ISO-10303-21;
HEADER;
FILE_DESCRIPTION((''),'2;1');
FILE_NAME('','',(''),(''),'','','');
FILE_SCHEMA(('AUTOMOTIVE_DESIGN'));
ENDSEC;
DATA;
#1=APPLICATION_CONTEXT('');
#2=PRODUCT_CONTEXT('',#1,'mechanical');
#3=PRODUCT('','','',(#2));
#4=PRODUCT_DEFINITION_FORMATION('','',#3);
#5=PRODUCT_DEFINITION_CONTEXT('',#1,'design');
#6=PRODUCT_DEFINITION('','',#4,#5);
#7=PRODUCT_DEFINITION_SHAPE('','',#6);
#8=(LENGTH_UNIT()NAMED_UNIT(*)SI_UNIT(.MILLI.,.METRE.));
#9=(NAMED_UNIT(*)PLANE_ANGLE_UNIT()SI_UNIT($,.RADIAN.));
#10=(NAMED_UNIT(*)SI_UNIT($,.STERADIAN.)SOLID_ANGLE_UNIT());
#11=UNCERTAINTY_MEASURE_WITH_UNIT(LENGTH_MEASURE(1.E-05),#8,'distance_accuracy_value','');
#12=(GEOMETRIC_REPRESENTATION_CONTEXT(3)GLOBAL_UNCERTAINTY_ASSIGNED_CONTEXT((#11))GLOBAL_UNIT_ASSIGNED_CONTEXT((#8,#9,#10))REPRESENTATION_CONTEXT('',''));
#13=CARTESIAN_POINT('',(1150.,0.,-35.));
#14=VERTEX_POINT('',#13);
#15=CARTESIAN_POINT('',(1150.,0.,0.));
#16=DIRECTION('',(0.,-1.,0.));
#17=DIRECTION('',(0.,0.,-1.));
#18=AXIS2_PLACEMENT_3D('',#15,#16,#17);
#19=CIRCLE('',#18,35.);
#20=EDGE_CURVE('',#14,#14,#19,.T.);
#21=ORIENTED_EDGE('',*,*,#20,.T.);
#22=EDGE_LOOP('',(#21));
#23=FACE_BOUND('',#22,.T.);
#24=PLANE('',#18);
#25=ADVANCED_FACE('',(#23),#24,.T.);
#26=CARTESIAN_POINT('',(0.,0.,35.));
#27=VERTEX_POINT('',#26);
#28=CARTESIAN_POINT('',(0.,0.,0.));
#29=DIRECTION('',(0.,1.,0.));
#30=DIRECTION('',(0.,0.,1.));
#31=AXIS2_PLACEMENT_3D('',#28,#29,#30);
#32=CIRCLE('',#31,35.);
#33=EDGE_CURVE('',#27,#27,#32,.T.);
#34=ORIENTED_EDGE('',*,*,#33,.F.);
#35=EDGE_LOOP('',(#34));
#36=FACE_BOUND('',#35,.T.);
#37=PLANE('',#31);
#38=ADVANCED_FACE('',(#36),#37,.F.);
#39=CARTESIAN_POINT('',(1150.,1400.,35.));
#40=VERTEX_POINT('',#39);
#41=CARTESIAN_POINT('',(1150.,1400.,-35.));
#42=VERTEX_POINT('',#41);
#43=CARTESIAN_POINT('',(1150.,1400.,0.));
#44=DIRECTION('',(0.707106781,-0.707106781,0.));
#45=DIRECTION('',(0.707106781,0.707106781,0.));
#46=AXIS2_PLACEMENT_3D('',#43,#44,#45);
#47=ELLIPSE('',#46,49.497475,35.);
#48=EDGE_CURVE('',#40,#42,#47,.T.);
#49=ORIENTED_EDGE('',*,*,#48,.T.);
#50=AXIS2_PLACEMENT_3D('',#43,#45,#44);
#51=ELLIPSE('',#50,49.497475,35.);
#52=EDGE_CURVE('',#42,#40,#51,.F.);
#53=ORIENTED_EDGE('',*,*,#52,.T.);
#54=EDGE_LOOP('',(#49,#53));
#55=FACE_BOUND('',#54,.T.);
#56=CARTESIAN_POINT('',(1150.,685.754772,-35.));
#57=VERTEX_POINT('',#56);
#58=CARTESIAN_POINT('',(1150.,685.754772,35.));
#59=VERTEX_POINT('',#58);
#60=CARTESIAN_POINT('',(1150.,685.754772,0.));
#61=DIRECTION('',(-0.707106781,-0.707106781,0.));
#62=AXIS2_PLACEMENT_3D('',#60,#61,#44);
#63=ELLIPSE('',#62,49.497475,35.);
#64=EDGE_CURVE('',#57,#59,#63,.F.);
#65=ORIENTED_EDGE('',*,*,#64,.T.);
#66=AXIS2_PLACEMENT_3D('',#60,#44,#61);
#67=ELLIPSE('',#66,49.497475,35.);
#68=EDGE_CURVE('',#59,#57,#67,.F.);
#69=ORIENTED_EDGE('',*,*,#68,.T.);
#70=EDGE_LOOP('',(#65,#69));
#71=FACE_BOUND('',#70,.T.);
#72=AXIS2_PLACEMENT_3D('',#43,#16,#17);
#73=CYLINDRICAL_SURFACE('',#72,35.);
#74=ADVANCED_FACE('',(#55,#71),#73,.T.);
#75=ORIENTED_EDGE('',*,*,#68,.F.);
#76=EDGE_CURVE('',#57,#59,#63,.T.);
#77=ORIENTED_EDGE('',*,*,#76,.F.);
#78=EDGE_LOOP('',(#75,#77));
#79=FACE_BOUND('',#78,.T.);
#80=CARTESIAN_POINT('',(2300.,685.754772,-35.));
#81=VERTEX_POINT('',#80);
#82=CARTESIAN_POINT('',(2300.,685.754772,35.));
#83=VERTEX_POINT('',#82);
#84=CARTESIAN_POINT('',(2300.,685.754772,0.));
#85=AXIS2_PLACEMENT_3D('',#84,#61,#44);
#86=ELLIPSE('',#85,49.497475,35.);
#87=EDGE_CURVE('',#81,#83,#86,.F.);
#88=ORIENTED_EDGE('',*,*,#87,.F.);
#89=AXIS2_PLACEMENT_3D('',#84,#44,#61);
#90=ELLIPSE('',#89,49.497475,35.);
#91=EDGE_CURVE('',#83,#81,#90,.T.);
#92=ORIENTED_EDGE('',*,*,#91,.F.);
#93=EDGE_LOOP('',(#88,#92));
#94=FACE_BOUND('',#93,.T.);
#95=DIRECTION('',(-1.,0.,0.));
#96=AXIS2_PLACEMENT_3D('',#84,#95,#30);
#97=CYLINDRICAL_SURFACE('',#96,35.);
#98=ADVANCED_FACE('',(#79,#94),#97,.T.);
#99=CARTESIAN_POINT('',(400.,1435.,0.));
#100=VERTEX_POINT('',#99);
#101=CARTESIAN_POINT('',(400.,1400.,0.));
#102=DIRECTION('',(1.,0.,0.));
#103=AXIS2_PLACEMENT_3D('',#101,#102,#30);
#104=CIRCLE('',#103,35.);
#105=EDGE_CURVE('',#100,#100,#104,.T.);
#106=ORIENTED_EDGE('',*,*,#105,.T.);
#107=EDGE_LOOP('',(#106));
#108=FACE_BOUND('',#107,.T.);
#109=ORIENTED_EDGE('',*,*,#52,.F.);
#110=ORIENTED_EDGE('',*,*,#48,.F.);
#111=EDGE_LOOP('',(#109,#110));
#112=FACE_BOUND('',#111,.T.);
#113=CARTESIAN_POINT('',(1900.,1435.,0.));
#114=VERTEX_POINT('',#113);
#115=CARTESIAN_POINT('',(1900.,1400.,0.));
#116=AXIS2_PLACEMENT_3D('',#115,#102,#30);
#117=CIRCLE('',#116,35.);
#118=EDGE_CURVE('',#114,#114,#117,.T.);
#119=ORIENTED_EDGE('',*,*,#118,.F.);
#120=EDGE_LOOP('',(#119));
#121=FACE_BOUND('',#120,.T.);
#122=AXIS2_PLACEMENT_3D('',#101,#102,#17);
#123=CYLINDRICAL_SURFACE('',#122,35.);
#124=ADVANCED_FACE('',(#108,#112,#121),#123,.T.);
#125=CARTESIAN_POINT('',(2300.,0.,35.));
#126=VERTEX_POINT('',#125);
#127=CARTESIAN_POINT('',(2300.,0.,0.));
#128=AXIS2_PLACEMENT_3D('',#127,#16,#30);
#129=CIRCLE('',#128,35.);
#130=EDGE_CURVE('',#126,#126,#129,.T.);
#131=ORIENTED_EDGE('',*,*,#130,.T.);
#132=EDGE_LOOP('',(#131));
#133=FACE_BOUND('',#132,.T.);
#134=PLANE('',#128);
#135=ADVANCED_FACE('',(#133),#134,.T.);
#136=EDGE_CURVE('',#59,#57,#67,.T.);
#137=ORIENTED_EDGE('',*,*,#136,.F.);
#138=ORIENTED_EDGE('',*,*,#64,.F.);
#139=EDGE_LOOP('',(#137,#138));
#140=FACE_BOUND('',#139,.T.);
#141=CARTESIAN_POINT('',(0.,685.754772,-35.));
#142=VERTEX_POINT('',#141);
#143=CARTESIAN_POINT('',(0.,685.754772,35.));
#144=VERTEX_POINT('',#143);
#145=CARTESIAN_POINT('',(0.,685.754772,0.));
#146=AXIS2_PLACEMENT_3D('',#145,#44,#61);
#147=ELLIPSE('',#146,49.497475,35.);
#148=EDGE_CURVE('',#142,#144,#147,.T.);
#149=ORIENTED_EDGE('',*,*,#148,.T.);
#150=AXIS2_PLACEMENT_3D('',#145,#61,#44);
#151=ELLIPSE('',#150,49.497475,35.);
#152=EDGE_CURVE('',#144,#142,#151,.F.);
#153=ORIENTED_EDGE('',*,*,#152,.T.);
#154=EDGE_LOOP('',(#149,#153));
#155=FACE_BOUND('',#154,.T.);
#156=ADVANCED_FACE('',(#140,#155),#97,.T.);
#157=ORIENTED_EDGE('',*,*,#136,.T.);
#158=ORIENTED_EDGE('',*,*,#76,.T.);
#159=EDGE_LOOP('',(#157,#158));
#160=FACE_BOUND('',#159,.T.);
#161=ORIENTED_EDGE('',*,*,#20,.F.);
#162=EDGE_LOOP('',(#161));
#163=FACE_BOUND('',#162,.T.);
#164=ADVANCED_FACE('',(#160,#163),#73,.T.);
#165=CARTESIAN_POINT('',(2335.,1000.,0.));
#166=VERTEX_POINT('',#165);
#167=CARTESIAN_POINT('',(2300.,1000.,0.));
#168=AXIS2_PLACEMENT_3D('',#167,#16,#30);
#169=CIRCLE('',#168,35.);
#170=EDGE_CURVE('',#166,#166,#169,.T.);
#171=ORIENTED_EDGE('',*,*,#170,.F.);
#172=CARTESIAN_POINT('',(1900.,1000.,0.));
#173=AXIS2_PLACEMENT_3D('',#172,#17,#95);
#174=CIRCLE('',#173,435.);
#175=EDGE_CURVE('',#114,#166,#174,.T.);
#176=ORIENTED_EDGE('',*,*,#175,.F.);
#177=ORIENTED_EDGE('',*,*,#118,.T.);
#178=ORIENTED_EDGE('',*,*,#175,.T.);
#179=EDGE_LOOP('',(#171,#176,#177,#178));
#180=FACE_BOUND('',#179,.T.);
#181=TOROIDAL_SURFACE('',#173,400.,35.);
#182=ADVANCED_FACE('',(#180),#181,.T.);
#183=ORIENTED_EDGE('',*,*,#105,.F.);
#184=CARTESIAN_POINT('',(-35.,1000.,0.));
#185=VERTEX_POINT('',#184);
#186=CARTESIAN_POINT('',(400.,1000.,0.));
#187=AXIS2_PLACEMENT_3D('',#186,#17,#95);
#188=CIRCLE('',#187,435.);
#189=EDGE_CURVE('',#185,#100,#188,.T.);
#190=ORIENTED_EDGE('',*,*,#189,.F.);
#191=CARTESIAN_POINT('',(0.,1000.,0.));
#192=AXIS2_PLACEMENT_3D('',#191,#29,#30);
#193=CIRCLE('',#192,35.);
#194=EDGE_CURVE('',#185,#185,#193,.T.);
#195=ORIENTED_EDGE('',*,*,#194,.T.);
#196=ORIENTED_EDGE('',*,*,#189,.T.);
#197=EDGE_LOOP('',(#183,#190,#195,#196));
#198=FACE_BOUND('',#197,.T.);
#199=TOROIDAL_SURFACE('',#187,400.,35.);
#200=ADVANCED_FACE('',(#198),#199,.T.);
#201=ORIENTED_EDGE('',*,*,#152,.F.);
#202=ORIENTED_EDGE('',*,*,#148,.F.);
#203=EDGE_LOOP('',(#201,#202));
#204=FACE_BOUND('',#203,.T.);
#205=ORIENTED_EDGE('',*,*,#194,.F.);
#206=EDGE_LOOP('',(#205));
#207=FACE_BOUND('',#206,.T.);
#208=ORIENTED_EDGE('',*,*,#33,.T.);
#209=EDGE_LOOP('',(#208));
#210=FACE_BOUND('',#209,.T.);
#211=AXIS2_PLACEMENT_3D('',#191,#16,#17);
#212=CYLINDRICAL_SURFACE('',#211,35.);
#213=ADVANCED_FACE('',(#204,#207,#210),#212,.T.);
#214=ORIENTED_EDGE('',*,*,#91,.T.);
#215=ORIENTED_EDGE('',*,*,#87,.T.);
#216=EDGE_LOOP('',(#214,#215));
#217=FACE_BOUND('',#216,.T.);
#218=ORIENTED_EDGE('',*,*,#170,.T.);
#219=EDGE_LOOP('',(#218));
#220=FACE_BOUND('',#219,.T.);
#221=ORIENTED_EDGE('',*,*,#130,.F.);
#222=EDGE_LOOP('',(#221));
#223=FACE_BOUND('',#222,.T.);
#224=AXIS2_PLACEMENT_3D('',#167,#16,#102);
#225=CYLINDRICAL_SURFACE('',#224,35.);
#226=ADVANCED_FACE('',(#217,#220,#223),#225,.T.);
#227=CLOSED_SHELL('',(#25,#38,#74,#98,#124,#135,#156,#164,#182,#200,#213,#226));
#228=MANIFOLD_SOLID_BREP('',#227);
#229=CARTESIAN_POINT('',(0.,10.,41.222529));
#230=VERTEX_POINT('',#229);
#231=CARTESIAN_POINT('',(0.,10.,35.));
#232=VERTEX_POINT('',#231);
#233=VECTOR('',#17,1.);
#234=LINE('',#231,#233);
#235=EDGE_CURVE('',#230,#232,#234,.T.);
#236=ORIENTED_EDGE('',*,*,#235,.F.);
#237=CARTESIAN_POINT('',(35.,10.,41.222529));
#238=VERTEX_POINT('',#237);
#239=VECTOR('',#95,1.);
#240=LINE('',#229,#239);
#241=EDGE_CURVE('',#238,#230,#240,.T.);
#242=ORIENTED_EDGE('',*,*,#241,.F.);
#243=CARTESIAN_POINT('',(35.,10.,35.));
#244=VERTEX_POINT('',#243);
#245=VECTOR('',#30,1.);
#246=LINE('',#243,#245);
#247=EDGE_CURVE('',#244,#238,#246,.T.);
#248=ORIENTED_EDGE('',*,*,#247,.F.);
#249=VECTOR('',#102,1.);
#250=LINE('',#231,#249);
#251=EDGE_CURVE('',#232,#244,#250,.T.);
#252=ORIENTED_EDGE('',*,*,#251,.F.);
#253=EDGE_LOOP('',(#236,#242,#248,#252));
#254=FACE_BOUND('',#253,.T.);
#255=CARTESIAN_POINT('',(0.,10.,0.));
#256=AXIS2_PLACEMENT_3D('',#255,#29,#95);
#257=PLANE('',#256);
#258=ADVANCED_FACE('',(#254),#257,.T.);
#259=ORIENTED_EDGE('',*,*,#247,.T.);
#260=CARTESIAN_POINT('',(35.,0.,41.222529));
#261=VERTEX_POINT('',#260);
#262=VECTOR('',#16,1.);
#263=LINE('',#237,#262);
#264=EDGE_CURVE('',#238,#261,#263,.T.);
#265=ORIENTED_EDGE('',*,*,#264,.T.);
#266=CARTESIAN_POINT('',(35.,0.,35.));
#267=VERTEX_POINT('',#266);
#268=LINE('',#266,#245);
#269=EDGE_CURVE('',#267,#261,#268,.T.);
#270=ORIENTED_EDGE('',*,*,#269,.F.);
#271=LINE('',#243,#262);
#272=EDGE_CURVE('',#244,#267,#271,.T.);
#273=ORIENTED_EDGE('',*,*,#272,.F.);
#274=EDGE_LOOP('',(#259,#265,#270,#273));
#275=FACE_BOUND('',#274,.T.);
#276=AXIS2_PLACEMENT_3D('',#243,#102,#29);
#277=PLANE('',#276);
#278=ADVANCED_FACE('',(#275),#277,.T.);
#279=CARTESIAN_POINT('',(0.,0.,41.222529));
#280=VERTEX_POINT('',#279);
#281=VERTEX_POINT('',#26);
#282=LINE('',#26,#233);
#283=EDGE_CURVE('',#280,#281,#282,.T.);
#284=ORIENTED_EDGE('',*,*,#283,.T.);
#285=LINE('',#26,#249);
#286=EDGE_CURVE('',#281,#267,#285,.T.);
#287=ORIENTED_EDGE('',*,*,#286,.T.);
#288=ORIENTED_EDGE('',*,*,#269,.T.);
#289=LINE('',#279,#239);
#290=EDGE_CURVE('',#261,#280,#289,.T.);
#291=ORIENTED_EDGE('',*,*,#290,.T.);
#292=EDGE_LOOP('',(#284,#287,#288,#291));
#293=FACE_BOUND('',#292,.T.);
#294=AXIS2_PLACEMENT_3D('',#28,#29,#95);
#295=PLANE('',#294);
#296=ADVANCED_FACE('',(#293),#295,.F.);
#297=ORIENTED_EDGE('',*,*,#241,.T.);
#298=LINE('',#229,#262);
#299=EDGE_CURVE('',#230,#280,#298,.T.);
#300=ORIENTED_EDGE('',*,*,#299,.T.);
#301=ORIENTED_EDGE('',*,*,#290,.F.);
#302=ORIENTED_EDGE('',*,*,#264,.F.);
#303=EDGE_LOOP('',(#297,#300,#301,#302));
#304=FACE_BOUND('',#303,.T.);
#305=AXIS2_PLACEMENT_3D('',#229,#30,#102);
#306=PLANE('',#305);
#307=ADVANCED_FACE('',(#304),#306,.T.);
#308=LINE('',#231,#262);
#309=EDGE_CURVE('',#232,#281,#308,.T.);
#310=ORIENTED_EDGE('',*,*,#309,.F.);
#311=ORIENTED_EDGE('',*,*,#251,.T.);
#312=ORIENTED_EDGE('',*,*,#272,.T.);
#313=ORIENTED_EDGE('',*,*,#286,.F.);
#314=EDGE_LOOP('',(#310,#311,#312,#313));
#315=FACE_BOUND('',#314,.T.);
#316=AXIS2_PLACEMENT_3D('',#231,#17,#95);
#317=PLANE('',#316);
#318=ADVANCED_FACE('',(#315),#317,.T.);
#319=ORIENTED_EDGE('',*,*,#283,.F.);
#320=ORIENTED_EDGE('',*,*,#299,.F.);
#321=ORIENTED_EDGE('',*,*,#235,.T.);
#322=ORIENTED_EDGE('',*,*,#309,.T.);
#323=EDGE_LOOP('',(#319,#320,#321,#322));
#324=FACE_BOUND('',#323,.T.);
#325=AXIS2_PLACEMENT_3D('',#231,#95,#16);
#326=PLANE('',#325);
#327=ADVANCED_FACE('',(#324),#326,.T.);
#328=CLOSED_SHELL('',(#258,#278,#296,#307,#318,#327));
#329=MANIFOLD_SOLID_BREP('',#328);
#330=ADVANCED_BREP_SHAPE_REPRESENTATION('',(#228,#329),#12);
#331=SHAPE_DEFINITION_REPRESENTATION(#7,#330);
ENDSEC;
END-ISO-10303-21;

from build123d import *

# Parameters (mm, degrees)
SKETCH_4_R      = 35
SKETCH_8_R      = 35
EXTRUDE_6_DEPTH = 1400
SKETCH_9_R      = 35
EXTRUDE_7_DEPTH = 2300
SKETCH_10_W     = 35
SKETCH_10_H     = 6.222529257
EXTRUDE_8_DEPTH = 10


with BuildPart() as part:
    # 扫描2: sweep along a path in 草图3
    with BuildLine(Plane.XY) as sweep_2_path:
        Line((0, 0), (0, 1000))
        ThreePointArc((0, 1000), (117.157287525, 1282.842712475), (400, 1400))
        Line((400, 1400), (1900, 1400))
        ThreePointArc((1900, 1400), (2182.842712475, 1282.842712475), (2300, 1000))
        Line((2300, 1000), (2300, 0))
    # 草图4 → 扫描2 (sweep)
    with BuildSketch(Plane(origin=(0, 0, 0), x_dir=(1, 0, 0), z_dir=(0, 1, 0))):
        Circle(SKETCH_4_R)
    sweep(path=sweep_2_path.line)

    # 草图8 → 凸台-拉伸6 (add)
    with BuildSketch(Plane.XZ):
        with Locations(Location((1150, 0, 0), (0, 0, 270))):
            Circle(SKETCH_8_R)
    extrude(amount=-EXTRUDE_6_DEPTH)

    # 草图9 → 凸台-拉伸7 (add)
    with BuildSketch(Plane(origin=(0, 0, 0), x_dir=(0, 0, -1), z_dir=(1, 0, 0))):
        with Locations(Location((0, 685.754772245, 0), (0, 0, 180))):
            Circle(SKETCH_9_R)
    extrude(amount=EXTRUDE_7_DEPTH)


with BuildPart() as body_2:
    # 草图10 → 凸台-拉伸8 (new body)
    with BuildSketch(Plane.XZ):
        with Locations((17.5, 38.111264629)):
            Rectangle(SKETCH_10_W, SKETCH_10_H)
    extrude(amount=-EXTRUDE_8_DEPTH)


solid = Compound([part.part, body_2.part])
